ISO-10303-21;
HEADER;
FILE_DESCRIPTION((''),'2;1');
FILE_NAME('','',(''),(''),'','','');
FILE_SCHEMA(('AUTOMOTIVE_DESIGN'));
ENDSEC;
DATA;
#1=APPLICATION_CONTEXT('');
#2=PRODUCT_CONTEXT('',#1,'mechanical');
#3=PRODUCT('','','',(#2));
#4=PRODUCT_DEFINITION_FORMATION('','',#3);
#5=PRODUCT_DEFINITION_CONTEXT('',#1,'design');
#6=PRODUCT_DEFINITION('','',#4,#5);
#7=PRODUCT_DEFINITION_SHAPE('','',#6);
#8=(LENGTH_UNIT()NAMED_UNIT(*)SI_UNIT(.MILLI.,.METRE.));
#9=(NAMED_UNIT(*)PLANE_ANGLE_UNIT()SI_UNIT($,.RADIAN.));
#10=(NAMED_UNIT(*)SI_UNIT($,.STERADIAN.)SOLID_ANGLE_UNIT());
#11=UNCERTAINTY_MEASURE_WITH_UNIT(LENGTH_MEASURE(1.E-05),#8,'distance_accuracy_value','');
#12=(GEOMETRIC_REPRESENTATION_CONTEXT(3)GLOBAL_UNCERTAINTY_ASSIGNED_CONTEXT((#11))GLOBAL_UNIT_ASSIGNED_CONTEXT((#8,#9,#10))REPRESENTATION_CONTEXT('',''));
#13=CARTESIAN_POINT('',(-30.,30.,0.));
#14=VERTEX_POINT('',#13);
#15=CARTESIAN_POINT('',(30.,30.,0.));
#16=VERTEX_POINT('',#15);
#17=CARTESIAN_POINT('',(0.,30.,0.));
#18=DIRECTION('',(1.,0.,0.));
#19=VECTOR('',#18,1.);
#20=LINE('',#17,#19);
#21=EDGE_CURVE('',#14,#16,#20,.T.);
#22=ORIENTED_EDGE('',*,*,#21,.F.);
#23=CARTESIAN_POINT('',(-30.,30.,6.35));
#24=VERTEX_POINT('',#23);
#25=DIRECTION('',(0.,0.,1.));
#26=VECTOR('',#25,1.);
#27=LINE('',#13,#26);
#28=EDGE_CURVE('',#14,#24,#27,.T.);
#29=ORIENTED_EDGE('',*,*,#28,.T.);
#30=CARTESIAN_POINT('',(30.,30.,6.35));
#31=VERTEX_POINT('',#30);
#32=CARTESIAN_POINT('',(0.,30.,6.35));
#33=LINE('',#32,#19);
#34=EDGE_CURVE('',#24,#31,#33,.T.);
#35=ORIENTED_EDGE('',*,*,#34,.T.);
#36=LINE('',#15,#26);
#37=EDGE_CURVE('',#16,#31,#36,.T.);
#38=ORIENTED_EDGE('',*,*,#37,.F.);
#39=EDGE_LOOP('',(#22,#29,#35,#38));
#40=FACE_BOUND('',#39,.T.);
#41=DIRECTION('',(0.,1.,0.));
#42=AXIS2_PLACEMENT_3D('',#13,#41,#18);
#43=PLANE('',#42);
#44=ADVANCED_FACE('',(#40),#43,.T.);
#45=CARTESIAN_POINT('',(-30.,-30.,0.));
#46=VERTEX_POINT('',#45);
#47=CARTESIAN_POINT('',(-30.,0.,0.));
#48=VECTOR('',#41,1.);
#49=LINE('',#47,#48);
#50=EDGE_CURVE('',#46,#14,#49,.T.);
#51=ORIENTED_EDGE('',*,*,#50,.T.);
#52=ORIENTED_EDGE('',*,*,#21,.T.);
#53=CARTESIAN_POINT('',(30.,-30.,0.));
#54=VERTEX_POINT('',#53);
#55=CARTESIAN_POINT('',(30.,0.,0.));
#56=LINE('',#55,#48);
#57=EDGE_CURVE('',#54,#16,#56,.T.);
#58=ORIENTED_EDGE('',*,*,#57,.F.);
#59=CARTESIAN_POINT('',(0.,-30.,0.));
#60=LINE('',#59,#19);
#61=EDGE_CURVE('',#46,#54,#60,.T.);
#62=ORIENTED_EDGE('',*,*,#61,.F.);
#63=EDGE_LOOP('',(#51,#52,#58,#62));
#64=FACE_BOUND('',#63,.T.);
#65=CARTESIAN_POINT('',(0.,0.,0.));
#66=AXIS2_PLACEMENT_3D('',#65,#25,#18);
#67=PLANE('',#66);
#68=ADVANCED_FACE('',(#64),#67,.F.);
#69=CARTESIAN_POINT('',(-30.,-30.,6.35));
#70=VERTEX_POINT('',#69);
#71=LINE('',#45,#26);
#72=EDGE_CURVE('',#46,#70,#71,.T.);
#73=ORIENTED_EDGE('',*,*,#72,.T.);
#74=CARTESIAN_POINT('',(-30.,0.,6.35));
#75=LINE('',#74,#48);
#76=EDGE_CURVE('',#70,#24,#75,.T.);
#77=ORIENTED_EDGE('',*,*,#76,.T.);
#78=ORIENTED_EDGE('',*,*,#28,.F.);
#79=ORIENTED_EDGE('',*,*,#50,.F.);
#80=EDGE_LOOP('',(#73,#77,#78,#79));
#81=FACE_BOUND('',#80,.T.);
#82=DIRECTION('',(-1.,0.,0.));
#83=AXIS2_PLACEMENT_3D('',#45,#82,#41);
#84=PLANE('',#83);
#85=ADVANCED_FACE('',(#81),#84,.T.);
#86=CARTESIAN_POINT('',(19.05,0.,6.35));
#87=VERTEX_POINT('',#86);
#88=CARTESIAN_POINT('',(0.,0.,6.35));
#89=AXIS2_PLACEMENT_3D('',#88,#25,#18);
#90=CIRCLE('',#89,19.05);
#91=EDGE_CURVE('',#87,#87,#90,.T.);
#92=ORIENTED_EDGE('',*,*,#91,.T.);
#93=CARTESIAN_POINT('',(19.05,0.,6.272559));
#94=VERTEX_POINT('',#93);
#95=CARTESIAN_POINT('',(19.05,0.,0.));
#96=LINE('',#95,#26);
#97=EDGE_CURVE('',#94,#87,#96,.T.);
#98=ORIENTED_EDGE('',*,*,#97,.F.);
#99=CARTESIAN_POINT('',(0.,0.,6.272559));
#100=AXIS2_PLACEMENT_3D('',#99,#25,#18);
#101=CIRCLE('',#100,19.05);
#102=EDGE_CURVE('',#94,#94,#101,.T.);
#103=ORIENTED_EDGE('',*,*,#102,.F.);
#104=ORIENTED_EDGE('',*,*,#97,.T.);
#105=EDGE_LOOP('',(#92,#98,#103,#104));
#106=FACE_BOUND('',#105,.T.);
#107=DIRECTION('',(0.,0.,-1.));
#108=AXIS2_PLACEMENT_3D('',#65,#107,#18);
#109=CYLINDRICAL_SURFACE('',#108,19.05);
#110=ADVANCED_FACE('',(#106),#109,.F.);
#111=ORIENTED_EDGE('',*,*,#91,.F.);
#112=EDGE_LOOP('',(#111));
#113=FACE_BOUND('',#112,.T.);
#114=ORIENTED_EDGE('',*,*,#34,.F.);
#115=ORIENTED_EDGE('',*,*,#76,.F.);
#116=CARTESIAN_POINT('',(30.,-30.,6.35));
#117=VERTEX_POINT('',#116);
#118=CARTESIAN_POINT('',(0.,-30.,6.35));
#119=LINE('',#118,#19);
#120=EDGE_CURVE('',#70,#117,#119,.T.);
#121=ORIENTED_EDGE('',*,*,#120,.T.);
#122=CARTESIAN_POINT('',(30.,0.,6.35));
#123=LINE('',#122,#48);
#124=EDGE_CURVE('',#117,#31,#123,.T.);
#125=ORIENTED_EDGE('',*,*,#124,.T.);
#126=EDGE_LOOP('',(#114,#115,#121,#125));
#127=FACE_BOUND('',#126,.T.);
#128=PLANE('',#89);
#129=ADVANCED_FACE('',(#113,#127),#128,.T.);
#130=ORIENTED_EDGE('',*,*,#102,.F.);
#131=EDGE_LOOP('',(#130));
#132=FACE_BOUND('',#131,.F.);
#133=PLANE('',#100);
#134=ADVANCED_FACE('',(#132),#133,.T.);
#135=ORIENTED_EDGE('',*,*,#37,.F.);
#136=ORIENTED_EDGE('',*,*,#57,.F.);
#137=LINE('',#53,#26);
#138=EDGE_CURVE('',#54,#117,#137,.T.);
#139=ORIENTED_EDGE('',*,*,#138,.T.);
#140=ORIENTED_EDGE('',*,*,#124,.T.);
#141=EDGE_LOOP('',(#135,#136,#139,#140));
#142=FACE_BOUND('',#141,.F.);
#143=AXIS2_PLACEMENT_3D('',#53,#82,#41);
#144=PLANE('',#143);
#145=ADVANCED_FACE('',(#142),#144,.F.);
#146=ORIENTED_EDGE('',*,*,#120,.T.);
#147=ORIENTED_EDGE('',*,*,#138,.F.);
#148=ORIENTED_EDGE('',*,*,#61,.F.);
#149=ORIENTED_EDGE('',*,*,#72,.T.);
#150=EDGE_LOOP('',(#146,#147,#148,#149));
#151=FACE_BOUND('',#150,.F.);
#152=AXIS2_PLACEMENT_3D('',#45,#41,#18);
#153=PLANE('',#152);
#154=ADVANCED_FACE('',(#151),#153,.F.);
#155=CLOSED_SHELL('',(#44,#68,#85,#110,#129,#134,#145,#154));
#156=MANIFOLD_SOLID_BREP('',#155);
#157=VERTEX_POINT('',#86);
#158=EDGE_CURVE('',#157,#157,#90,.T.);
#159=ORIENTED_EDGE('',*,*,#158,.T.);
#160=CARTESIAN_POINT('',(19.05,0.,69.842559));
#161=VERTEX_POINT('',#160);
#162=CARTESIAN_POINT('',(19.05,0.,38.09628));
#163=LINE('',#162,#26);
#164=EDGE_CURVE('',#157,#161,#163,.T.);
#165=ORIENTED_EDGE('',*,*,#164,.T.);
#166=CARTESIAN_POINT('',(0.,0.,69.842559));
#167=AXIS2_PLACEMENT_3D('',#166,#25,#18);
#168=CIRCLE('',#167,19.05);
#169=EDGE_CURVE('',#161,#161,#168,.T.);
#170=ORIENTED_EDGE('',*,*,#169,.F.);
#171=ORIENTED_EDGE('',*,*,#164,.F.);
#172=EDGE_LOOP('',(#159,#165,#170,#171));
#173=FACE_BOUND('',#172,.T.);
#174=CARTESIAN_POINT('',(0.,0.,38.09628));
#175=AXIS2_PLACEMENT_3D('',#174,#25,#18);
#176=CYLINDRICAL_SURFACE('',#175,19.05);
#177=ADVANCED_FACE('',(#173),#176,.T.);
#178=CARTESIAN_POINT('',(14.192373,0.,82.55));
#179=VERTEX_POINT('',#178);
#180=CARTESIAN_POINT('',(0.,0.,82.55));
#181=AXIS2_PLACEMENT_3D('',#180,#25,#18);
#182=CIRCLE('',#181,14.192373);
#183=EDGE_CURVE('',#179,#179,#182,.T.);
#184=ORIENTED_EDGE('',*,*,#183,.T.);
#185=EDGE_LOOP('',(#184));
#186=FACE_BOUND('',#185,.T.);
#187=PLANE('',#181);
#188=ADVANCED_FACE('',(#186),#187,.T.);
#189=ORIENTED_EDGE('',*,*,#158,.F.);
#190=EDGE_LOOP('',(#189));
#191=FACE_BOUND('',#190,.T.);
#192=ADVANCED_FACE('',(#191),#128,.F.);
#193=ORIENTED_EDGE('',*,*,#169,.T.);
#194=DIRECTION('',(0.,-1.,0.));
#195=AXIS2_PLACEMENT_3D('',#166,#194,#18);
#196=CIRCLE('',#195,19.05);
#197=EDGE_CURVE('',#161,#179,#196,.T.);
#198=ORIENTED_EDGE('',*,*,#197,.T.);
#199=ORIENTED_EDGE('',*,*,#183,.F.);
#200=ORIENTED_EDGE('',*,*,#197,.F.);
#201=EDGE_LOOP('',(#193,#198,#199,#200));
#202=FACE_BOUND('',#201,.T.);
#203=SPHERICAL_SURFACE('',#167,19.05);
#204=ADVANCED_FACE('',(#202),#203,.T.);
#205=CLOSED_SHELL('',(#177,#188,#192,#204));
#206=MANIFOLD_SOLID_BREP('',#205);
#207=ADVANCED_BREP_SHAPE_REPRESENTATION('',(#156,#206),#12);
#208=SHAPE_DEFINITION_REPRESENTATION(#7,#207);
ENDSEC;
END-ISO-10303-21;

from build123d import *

# Parameters (mm, degrees)
F0_W     = 60
F0_H     = 60
F0_R     = 19.05
F1_DEPTH = 6.35
F2_W     = 19.05
F2_H     = 6.2725590542
F2_H_2   = 63.4925590542


with BuildPart() as f1:
    # F0 (on Top) → F1 (new body)
    with BuildSketch(Plane.XY):
        Rectangle(F0_W, F0_H)
        Circle(F0_R, mode=Mode.SUBTRACT)
    extrude(amount=F1_DEPTH)

    # F2 (on Front) → F3 (revolve)
    with BuildSketch(Plane.XZ):
        with Locations((9.525, 3.1362795271)):
            Rectangle(F2_W, F2_H)
        with Locations((9.525, 38.0962795271)):
            Rectangle(F2_W, F2_H_2)
        with BuildLine():
            Line((0, 82.55), (0, 69.8425590542))
            Line((0, 69.8425590542), (19.05, 69.8425590542))
            ThreePointArc((19.05, 69.8425590542), (17.7942013183, 76.6446836814), (14.1923727618, 82.55))
            Line((14.1923727618, 82.55), (0, 82.55))
        make_face()
    revolve(axis=Axis((0, 0, 98.337154819), (0, 0, 1)))


solid = f1.part
